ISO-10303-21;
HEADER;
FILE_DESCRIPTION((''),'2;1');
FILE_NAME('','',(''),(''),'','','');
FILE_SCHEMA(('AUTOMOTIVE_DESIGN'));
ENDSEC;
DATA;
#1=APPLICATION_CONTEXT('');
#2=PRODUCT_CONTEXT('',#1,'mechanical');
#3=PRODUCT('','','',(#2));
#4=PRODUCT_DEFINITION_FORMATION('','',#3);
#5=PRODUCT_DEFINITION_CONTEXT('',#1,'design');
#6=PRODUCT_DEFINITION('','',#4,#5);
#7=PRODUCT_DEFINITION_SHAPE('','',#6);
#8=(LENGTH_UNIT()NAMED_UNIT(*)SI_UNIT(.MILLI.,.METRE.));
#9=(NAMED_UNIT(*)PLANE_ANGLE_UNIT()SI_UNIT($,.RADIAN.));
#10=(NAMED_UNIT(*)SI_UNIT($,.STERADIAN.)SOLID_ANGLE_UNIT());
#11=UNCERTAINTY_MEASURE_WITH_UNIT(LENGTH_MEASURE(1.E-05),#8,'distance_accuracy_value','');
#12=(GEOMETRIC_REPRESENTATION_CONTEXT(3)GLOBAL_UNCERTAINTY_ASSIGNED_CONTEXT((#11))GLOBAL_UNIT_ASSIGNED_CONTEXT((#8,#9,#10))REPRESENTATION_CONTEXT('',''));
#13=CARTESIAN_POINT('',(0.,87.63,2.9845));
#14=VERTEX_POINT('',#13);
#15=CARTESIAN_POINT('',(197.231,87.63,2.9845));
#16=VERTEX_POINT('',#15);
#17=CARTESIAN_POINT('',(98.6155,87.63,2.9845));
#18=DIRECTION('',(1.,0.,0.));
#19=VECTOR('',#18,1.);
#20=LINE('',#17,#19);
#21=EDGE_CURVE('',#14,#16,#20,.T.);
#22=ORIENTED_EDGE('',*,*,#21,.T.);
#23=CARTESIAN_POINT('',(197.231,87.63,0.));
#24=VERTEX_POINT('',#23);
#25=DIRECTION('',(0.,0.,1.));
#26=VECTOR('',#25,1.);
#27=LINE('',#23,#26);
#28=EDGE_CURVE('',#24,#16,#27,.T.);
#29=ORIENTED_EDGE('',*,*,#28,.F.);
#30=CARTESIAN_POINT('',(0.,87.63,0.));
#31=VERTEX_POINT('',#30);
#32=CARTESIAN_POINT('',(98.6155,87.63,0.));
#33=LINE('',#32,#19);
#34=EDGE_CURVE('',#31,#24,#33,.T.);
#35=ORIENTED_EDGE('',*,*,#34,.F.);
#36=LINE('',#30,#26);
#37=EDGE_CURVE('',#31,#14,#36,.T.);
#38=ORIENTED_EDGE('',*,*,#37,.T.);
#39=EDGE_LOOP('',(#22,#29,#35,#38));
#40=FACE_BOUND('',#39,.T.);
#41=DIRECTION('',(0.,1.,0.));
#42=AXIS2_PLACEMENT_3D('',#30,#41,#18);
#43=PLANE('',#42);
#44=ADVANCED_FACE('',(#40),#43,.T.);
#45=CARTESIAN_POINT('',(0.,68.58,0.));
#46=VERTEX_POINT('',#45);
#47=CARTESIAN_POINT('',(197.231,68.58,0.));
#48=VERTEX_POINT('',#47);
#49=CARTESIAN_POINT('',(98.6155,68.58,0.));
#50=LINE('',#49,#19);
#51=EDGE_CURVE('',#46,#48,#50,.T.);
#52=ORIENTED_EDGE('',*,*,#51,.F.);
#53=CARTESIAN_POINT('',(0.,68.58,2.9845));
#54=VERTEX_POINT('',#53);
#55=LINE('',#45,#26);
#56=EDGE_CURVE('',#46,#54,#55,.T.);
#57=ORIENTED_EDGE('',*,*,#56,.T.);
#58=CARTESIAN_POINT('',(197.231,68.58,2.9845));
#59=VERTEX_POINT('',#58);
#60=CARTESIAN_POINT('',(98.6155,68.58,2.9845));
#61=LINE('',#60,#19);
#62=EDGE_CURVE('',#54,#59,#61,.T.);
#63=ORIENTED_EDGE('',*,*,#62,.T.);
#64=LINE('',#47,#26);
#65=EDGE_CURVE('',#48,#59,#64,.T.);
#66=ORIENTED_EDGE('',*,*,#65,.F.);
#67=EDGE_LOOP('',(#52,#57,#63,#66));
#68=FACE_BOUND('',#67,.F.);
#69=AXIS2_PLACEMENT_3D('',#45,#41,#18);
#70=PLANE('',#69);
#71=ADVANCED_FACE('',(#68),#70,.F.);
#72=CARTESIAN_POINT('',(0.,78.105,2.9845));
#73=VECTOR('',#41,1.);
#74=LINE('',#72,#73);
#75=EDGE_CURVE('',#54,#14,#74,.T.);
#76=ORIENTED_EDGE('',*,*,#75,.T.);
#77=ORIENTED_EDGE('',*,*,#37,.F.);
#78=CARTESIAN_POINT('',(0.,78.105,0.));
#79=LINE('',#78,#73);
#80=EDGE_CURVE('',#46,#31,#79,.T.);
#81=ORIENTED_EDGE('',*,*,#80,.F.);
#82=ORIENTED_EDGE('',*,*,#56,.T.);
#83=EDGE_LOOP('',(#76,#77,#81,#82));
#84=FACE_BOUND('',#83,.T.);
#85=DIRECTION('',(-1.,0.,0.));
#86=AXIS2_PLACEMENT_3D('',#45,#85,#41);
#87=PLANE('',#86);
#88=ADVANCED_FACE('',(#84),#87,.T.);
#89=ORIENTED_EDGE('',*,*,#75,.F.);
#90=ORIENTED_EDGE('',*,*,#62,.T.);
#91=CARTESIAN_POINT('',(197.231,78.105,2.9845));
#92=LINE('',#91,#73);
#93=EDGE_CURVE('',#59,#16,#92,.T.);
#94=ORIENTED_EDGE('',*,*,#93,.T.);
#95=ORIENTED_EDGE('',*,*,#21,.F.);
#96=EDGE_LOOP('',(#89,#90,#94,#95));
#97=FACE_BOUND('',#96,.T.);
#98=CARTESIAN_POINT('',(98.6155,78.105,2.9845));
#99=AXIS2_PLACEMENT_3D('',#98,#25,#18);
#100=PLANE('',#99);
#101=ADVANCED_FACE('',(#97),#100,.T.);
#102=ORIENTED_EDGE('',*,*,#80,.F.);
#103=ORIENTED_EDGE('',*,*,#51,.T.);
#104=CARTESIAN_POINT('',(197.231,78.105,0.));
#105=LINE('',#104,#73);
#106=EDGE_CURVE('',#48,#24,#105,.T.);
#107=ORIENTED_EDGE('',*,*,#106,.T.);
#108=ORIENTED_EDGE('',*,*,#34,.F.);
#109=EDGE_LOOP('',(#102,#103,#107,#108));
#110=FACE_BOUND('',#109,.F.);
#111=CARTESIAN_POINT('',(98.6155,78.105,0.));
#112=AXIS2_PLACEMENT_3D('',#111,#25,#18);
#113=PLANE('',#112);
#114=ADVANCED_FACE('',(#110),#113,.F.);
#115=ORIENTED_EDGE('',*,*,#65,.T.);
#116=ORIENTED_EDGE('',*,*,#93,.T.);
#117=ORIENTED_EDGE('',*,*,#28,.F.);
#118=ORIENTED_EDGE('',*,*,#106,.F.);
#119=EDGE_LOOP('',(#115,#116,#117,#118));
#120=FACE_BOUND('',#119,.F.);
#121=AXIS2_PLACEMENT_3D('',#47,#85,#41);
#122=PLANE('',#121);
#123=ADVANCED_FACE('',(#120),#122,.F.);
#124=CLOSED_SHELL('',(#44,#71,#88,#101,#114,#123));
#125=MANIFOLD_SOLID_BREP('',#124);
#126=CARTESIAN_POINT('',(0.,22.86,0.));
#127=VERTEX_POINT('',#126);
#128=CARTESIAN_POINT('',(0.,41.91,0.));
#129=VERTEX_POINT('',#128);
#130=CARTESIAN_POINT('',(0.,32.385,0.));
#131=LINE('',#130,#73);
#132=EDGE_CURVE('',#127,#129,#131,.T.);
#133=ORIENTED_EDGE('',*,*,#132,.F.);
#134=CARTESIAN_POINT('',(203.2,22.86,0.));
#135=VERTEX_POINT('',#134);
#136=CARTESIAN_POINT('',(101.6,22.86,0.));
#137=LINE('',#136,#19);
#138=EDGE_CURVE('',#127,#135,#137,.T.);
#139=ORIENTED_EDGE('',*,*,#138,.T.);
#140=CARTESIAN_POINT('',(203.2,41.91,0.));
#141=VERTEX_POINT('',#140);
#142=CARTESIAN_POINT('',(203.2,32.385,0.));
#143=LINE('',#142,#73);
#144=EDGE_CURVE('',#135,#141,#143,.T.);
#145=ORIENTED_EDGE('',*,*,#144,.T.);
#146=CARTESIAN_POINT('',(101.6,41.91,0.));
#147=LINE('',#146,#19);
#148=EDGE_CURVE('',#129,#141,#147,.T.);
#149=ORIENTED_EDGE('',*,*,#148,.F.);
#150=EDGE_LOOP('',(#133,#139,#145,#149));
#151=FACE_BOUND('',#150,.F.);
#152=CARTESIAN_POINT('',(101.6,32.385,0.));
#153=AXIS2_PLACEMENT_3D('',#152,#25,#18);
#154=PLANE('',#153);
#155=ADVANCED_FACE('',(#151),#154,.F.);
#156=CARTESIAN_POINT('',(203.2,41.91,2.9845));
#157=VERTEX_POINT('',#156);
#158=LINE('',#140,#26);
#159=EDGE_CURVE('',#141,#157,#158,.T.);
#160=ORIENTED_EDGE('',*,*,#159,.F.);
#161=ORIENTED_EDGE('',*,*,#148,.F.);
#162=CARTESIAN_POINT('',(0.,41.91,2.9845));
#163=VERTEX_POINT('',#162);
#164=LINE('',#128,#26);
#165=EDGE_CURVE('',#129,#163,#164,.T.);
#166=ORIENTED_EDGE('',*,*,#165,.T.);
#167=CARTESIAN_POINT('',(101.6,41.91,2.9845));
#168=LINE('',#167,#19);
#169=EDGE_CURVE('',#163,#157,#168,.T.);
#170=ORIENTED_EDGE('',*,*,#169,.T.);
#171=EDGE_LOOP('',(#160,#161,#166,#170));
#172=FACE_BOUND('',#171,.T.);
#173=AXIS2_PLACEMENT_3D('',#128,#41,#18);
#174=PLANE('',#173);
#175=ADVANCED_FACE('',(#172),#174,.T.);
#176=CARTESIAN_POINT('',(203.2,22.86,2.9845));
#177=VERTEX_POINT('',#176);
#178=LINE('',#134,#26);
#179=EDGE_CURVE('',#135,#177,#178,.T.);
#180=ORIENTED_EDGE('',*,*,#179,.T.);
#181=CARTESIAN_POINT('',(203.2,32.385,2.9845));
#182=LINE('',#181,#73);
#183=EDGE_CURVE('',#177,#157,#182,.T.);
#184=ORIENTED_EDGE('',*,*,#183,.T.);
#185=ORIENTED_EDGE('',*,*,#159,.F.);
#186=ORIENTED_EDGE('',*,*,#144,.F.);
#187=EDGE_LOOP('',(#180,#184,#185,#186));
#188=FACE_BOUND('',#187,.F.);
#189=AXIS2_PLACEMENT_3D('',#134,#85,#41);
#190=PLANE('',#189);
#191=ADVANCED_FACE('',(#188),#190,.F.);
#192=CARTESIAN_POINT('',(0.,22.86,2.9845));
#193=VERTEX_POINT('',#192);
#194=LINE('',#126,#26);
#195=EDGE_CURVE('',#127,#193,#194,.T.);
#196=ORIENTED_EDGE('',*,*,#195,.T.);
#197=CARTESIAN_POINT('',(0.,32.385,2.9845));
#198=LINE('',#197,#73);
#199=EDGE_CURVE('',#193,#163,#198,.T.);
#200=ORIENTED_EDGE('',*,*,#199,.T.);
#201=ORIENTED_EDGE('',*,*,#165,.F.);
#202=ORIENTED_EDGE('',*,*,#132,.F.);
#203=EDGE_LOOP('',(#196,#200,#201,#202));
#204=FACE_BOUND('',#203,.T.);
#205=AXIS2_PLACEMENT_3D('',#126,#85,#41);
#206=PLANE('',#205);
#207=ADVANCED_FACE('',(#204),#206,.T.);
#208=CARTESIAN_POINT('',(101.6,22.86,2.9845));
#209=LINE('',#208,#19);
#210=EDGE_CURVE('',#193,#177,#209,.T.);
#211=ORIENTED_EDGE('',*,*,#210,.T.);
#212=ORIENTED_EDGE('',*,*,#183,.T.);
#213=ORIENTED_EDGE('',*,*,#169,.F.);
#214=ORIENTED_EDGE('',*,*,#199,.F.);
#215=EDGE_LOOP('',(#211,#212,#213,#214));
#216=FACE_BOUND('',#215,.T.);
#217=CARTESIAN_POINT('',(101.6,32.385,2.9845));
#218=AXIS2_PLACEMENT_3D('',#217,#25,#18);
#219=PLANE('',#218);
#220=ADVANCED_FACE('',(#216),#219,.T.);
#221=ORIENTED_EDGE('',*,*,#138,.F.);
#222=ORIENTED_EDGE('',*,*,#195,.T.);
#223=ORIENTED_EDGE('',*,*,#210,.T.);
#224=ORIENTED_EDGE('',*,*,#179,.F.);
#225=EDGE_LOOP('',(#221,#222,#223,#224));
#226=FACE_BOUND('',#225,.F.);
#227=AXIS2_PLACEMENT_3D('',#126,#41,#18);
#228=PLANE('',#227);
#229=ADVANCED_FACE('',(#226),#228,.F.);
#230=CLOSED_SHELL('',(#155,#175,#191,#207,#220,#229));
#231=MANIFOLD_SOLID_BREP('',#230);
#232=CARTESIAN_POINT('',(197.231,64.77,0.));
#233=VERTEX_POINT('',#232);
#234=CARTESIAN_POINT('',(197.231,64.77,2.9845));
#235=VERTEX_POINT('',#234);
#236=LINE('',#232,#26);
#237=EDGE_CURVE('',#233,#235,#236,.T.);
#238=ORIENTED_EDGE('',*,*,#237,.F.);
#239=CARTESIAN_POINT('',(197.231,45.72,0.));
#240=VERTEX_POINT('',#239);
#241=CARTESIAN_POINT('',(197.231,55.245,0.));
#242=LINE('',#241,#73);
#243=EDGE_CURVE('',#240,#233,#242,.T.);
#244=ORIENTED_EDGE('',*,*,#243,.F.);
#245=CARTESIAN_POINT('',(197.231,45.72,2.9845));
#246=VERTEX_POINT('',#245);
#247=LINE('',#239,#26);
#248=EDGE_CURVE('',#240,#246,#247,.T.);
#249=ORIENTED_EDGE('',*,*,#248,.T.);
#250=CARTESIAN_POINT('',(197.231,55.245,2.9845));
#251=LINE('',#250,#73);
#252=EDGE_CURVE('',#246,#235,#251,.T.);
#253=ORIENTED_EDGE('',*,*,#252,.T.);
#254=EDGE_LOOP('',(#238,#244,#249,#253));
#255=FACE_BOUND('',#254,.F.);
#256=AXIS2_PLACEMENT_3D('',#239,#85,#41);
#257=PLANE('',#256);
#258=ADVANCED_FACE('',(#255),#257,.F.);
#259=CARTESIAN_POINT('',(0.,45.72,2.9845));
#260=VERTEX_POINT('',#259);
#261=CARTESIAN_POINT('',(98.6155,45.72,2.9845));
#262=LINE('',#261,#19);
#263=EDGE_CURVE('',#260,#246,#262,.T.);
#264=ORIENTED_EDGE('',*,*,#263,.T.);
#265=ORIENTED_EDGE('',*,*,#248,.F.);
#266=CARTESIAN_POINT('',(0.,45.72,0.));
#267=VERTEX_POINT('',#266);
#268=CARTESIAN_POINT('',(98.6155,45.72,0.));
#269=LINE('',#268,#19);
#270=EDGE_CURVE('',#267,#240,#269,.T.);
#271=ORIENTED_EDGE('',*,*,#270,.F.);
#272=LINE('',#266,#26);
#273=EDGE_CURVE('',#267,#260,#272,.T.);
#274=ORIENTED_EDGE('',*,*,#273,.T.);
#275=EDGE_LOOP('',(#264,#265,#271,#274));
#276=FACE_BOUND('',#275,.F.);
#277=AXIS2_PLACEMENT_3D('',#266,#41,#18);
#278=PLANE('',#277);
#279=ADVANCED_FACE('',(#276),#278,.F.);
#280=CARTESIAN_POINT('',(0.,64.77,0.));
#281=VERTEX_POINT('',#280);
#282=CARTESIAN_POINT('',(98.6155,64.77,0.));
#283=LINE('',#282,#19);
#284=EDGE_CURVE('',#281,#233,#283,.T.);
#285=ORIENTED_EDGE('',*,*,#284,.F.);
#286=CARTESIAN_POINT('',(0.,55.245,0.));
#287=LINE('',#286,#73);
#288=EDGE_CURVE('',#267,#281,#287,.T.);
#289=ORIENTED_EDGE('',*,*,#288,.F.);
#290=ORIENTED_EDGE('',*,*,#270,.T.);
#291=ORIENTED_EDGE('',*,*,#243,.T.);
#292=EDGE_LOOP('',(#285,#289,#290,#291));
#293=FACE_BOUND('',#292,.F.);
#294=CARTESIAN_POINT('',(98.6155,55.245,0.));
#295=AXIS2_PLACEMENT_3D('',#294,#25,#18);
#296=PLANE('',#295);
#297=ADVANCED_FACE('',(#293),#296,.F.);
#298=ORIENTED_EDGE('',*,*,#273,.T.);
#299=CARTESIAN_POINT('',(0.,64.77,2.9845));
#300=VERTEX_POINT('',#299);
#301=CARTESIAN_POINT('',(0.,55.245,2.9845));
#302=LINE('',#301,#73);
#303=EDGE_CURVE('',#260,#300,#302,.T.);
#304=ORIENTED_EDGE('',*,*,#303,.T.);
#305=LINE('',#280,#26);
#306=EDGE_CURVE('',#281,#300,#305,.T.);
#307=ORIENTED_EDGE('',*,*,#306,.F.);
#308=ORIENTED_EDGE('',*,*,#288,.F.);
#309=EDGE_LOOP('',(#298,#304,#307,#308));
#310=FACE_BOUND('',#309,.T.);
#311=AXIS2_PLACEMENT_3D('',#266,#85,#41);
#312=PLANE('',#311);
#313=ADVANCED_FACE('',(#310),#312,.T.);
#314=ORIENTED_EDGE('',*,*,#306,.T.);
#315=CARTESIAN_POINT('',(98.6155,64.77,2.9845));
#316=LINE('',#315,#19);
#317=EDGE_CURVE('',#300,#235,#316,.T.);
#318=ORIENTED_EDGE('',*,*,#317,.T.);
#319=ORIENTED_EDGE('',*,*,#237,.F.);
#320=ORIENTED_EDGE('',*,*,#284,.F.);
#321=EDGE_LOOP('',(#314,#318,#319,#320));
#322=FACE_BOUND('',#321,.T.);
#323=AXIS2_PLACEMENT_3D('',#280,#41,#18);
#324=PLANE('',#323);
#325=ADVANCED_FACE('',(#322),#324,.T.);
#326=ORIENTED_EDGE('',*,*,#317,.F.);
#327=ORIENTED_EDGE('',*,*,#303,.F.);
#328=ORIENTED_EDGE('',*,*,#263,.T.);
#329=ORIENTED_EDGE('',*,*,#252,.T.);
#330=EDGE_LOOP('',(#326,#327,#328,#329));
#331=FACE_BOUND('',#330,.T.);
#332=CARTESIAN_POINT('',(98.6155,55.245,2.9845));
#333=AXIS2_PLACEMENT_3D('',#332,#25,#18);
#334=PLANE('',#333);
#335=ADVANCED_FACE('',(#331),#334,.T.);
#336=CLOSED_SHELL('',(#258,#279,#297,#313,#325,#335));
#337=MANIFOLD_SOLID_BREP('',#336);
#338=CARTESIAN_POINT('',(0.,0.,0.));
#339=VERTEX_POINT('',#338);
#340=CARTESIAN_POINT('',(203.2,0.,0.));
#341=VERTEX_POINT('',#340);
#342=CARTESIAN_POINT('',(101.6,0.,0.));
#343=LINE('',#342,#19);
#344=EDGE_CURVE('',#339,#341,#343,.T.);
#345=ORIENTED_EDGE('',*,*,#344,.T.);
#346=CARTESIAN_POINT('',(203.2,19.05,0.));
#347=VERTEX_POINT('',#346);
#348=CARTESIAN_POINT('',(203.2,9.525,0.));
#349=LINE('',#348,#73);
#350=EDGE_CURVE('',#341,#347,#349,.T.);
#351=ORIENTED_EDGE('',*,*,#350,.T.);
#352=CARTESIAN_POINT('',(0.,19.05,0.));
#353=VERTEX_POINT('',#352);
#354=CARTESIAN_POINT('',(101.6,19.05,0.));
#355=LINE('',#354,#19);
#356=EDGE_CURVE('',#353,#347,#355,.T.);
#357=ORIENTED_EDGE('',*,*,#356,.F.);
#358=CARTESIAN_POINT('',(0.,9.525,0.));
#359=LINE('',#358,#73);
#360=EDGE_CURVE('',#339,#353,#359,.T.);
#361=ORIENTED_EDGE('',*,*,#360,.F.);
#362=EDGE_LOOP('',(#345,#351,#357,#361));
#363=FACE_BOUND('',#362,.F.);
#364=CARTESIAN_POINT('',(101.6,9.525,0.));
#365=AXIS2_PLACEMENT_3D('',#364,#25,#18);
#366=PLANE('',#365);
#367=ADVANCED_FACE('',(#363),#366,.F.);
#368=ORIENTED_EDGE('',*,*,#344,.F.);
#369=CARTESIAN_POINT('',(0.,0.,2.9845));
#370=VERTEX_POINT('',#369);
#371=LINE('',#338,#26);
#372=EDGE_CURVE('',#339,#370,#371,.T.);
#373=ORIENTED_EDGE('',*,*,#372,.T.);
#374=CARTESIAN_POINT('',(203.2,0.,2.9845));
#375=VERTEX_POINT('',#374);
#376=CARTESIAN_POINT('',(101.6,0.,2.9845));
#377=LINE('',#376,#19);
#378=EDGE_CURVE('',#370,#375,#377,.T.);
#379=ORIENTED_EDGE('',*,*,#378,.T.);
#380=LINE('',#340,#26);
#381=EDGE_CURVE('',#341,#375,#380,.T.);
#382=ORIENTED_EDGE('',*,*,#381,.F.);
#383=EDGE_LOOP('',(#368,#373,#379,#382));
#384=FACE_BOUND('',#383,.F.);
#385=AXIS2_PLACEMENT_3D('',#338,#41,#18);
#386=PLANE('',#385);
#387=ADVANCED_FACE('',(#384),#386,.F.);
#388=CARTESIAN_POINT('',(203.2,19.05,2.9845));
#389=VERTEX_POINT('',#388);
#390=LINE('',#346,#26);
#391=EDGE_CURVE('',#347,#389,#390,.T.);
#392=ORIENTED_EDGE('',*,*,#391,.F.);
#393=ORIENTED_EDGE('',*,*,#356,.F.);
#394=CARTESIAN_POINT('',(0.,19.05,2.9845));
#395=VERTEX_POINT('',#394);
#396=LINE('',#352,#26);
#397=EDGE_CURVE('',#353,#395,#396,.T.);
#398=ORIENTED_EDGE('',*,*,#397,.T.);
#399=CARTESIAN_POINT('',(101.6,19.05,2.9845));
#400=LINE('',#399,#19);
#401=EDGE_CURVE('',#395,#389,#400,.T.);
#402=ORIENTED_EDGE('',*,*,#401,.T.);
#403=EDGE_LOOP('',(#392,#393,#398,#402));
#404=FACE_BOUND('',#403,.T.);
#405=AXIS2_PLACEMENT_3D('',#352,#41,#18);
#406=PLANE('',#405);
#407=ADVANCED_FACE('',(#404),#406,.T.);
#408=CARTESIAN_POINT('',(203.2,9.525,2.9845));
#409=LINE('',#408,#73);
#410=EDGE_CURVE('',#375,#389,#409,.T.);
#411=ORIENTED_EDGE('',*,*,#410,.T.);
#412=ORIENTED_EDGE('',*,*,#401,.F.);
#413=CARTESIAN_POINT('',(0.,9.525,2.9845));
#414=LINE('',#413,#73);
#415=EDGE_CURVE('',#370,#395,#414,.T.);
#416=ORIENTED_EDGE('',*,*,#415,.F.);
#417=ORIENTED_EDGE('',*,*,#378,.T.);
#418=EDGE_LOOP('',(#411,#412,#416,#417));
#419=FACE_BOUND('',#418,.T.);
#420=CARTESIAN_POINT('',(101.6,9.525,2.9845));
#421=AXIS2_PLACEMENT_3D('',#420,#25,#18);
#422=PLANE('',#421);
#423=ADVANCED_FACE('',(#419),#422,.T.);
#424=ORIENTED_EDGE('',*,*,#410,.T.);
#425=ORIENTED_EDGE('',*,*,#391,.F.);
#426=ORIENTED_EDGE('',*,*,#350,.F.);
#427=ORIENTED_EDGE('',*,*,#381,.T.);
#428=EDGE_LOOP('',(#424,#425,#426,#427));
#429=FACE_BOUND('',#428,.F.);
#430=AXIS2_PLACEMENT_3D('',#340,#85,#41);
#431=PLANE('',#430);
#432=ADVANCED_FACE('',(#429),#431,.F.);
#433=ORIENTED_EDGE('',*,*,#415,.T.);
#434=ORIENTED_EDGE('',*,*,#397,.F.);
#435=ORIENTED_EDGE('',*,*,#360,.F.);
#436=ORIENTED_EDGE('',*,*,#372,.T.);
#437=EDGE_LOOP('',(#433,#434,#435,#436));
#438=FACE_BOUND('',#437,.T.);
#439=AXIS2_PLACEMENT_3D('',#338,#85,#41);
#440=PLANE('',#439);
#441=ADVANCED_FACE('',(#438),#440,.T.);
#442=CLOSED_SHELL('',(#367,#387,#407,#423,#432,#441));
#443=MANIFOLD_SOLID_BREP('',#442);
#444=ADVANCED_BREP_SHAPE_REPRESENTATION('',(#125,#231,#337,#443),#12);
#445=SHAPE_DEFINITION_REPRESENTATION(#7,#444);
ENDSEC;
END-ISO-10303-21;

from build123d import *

# Parameters (mm, degrees)
F0_W     = 203.2
F0_H     = 19.05
F0_W_2   = 197.231
F1_DEPTH = 2.9845


with BuildPart() as f1:
    # F0 (on Top) → F1 (new body)
    with BuildSketch(Plane.XY):
        with Locations((101.6, 9.525)):
            Rectangle(F0_W, F0_H)
        with Locations((101.6, 32.385)):
            Rectangle(F0_W, F0_H)
        with Locations((98.6155, 55.245)):
            Rectangle(F0_W_2, F0_H)
        with Locations((98.6155, 78.105)):
            Rectangle(F0_W_2, F0_H)
    extrude(amount=F1_DEPTH)


solid = f1.part
